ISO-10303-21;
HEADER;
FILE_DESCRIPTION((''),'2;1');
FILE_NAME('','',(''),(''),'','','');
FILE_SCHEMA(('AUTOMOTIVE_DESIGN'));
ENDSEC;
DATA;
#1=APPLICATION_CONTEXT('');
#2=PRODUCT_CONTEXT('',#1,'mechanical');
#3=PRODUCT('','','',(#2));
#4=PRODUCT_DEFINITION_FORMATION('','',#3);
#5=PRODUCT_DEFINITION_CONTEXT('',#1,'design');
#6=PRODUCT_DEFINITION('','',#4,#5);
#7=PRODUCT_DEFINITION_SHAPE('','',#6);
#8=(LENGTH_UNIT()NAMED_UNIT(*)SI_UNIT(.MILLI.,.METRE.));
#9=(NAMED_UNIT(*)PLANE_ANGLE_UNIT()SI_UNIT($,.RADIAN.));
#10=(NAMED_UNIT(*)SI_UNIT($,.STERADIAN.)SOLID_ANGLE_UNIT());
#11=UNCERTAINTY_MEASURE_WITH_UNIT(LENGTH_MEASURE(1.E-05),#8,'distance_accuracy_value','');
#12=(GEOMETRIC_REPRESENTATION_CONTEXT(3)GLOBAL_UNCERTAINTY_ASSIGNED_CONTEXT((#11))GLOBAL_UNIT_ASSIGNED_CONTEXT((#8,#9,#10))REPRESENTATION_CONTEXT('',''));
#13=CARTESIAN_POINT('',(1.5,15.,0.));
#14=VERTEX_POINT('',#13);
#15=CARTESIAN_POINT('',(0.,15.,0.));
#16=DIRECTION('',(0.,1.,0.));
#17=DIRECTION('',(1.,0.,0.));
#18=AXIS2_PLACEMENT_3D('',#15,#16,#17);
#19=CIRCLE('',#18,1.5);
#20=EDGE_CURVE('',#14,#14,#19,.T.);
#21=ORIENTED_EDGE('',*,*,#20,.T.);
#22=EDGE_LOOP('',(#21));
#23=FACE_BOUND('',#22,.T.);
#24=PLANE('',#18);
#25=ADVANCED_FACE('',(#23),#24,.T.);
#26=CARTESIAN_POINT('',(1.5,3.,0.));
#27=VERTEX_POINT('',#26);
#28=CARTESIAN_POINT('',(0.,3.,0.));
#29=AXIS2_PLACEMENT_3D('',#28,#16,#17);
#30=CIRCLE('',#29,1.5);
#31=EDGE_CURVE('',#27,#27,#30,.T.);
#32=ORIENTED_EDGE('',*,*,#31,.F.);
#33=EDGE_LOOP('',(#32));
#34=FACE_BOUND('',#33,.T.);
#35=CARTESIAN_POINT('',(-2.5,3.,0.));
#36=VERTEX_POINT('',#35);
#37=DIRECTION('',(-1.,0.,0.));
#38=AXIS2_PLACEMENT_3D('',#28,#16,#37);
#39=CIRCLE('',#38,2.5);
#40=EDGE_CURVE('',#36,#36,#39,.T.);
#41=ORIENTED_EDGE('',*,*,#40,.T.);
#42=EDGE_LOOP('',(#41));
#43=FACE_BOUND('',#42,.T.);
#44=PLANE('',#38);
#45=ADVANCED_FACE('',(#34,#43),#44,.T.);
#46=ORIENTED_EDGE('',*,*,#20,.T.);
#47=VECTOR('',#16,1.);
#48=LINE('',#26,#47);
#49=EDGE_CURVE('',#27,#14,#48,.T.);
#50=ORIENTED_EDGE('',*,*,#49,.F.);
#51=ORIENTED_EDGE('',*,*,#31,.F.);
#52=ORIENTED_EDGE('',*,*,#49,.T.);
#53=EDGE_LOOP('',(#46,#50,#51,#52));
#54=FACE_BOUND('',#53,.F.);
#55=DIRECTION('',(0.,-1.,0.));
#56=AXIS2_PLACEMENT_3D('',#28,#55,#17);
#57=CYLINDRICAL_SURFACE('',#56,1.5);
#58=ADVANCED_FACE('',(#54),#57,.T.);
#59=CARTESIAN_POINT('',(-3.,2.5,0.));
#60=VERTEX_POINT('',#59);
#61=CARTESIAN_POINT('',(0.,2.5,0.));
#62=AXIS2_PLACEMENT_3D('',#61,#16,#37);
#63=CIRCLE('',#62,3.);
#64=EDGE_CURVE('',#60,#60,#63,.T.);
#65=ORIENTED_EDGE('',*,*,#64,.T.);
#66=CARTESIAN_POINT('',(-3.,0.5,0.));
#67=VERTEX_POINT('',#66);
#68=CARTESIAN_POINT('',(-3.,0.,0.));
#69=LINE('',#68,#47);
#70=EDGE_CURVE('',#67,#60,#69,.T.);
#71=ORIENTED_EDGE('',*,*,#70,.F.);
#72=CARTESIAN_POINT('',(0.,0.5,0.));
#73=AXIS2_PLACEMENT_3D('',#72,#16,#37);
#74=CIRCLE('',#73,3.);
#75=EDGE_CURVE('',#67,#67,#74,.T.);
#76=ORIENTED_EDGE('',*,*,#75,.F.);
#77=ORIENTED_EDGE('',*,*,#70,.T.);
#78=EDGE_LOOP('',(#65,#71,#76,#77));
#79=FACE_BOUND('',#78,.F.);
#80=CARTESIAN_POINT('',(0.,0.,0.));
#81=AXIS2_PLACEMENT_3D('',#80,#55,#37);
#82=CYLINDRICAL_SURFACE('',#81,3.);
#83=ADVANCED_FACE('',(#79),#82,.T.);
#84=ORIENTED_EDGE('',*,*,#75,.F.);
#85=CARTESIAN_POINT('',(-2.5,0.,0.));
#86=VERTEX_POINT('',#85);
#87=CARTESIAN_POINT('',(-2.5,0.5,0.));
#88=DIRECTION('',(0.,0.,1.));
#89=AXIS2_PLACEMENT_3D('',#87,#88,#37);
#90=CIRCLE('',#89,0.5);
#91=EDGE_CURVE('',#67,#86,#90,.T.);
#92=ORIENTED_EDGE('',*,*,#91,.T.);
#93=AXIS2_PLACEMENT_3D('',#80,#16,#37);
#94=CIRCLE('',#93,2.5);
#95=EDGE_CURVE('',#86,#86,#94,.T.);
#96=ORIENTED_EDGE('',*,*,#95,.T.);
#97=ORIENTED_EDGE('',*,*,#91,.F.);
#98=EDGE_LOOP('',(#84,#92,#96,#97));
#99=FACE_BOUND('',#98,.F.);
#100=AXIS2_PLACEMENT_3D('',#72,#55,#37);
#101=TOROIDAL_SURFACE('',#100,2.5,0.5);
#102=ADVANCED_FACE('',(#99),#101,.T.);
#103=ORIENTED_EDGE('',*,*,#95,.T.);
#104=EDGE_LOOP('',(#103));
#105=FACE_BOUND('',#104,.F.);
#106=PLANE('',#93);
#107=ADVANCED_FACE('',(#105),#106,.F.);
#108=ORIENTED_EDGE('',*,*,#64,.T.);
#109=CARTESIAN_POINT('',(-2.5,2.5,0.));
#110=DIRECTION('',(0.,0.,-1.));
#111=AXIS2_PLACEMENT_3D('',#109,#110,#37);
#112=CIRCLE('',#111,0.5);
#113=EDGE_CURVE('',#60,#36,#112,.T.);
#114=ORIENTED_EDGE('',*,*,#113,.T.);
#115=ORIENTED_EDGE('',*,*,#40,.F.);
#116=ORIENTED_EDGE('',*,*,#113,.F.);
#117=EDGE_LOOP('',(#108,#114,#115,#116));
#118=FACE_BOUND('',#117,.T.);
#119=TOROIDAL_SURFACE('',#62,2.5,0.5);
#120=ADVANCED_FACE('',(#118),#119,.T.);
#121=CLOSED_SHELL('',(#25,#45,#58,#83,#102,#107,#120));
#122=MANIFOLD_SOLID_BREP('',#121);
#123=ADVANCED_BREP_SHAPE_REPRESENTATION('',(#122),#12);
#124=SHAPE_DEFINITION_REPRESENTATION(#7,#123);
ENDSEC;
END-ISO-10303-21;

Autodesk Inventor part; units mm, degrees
ref_plane "YZ Plane" through (0, 0, 0) normal (1, 0, 0) x (0, 1, 0)
ref_plane "XZ Plane" through (0, 0, 0) normal (0, 1, 0) x (-1, 0, 0)
ref_plane "XY Plane" through (0, 0, 0) normal (0, 0, 1) x (1, 0, 0)
sketch "Sketch1" plane through (0, 0, 0) normal (0, 1, 0) x (-1, 0, 0)
  circle A0 centre (0, 0) radius 3
  dimension "d0" = 6
extrude "Extrusion1" add sketch "Sketch1" along normal blind 3
sketch "Sketch2" plane through (0, 3, 0) normal (0, 1, 0) x (1, 0, 0)
  circle A0 centre (0, 0) radius 1.5
  dimension "d3" = 3
extrude "Extrusion2" add sketch "Sketch2" along normal blind 12
fillet "Fillet1" radius 0.5 2 edges at (3, 3, 0) (3, 0, 0)
thread "Thread1" size "M3x0.5" class "6g" standard "ANSI Metric M Profile" full length
properties part number "M3_12mm"
